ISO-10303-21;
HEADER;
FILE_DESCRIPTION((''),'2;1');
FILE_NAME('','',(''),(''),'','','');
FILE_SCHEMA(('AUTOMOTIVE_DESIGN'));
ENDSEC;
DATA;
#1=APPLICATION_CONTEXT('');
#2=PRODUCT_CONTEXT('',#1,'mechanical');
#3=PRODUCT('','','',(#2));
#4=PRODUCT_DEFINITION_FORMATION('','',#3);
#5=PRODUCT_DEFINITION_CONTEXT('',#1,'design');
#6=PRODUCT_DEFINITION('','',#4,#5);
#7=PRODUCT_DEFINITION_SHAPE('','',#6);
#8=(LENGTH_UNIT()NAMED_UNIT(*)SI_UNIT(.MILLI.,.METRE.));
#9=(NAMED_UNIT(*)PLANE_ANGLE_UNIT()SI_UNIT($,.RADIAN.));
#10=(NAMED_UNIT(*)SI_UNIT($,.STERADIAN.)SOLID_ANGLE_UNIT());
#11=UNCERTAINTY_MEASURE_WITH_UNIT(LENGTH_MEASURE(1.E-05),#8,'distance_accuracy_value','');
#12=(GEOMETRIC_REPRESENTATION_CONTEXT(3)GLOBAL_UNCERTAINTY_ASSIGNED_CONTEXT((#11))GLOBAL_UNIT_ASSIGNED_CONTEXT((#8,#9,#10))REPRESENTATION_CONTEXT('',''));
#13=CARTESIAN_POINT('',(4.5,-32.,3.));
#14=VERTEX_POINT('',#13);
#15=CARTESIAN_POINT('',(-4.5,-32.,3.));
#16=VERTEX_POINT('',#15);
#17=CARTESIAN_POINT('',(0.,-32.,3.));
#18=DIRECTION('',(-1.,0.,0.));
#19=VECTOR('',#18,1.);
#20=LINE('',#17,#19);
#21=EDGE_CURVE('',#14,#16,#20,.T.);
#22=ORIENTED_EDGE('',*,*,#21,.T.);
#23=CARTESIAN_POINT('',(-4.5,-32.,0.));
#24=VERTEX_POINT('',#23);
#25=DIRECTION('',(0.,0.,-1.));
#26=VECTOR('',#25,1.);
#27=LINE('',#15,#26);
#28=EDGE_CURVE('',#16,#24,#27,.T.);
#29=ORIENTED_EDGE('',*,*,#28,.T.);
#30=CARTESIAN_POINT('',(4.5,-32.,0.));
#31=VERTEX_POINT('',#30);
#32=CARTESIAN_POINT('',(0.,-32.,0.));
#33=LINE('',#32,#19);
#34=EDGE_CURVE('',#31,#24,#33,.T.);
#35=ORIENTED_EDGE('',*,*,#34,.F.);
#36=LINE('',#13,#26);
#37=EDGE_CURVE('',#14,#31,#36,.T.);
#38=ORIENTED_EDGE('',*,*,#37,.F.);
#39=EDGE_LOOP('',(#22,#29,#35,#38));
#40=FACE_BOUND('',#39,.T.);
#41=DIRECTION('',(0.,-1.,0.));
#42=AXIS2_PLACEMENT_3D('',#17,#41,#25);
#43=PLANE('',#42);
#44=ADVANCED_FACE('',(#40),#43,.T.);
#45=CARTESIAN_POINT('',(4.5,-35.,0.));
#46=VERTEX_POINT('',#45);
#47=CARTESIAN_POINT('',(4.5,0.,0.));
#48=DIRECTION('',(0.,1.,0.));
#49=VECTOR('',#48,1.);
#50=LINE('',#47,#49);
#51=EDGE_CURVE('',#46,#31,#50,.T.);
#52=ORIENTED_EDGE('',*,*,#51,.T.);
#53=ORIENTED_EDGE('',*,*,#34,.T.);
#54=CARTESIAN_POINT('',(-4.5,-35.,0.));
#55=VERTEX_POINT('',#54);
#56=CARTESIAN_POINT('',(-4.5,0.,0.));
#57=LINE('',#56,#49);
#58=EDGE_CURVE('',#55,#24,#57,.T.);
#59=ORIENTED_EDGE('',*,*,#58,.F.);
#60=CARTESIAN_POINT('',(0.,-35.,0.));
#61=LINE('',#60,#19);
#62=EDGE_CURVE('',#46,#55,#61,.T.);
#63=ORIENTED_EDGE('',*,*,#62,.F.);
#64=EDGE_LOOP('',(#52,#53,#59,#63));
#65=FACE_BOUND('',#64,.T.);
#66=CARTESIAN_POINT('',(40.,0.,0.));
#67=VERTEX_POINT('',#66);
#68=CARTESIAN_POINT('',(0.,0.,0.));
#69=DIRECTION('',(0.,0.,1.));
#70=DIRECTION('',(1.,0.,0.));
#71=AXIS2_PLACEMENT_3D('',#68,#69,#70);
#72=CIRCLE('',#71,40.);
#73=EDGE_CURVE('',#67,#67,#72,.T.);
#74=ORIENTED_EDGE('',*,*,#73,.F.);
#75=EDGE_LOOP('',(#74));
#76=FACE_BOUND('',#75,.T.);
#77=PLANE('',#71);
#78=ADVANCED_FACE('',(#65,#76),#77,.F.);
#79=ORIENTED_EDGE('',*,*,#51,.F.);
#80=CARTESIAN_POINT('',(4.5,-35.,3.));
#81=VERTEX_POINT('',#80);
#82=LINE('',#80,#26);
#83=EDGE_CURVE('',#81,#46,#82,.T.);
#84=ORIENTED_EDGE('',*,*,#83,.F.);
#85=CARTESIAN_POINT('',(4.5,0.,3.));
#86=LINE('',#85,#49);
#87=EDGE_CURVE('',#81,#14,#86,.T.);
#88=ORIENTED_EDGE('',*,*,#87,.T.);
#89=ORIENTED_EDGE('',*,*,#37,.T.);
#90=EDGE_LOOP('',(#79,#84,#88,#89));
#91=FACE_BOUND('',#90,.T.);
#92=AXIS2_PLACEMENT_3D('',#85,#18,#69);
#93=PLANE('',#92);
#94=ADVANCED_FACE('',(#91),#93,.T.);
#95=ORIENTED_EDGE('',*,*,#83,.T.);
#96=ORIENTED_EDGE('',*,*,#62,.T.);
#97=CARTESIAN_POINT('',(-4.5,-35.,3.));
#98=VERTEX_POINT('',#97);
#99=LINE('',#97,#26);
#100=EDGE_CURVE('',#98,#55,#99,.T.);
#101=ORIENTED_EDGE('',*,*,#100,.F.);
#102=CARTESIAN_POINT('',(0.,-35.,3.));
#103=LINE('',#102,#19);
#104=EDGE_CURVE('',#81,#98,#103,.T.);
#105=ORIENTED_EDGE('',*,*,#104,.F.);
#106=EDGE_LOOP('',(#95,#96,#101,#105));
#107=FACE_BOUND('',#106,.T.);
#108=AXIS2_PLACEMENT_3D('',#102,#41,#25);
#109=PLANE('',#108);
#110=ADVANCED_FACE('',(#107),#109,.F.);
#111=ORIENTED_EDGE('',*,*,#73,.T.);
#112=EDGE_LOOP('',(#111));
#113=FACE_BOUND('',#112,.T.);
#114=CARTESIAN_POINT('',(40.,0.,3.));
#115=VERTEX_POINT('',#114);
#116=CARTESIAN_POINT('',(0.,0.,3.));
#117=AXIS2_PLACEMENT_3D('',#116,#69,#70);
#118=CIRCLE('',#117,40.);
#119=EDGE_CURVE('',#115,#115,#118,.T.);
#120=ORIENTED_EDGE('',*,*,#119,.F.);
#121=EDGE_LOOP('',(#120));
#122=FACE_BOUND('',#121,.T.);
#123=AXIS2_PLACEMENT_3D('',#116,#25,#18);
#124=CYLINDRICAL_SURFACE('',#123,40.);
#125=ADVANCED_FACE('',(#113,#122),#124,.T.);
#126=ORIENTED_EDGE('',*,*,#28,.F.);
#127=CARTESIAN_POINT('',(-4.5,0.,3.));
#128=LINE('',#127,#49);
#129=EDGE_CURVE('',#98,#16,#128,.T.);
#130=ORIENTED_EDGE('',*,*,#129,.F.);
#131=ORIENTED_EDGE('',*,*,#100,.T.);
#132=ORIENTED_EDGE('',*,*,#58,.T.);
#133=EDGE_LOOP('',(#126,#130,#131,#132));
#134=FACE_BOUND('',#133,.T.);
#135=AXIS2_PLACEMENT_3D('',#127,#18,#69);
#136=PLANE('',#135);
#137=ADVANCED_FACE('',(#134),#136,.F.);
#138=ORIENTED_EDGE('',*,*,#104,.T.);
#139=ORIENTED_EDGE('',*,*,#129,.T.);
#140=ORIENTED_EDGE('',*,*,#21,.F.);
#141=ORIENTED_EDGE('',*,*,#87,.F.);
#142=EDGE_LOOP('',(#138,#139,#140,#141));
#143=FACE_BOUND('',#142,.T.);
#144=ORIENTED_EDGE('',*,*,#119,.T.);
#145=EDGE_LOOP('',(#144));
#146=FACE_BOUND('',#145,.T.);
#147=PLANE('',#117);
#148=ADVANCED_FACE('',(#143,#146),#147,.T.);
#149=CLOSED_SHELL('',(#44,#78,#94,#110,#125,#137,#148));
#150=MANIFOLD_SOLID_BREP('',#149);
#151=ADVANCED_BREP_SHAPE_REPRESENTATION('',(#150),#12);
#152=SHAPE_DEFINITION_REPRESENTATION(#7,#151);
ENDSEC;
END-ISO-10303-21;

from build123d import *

# Parameters (mm, degrees)
SKETCH1_R           = 40
BOSS_EXTRUDE1_DEPTH = 3
CUT_EXTRUDE1_DEPTH  = 3


with BuildPart() as part:
    # Sketch1 → Boss-Extrude1 (new body)
    with BuildSketch(Plane.XY):
        Circle(SKETCH1_R)
    extrude(amount=BOSS_EXTRUDE1_DEPTH)

    # Sketch2 → Cut-Extrude1 (cut)
    with BuildSketch(Plane(origin=(0, 0, 0), x_dir=(-1, 0, 0), z_dir=(0, 0, -1))):
        Polygon((0, -35), (4.5, -35), (4.5, -32), (-4.5, -32), (-4.5, -35), align=None)
    extrude(amount=-CUT_EXTRUDE1_DEPTH, mode=Mode.SUBTRACT)


solid = part.part
